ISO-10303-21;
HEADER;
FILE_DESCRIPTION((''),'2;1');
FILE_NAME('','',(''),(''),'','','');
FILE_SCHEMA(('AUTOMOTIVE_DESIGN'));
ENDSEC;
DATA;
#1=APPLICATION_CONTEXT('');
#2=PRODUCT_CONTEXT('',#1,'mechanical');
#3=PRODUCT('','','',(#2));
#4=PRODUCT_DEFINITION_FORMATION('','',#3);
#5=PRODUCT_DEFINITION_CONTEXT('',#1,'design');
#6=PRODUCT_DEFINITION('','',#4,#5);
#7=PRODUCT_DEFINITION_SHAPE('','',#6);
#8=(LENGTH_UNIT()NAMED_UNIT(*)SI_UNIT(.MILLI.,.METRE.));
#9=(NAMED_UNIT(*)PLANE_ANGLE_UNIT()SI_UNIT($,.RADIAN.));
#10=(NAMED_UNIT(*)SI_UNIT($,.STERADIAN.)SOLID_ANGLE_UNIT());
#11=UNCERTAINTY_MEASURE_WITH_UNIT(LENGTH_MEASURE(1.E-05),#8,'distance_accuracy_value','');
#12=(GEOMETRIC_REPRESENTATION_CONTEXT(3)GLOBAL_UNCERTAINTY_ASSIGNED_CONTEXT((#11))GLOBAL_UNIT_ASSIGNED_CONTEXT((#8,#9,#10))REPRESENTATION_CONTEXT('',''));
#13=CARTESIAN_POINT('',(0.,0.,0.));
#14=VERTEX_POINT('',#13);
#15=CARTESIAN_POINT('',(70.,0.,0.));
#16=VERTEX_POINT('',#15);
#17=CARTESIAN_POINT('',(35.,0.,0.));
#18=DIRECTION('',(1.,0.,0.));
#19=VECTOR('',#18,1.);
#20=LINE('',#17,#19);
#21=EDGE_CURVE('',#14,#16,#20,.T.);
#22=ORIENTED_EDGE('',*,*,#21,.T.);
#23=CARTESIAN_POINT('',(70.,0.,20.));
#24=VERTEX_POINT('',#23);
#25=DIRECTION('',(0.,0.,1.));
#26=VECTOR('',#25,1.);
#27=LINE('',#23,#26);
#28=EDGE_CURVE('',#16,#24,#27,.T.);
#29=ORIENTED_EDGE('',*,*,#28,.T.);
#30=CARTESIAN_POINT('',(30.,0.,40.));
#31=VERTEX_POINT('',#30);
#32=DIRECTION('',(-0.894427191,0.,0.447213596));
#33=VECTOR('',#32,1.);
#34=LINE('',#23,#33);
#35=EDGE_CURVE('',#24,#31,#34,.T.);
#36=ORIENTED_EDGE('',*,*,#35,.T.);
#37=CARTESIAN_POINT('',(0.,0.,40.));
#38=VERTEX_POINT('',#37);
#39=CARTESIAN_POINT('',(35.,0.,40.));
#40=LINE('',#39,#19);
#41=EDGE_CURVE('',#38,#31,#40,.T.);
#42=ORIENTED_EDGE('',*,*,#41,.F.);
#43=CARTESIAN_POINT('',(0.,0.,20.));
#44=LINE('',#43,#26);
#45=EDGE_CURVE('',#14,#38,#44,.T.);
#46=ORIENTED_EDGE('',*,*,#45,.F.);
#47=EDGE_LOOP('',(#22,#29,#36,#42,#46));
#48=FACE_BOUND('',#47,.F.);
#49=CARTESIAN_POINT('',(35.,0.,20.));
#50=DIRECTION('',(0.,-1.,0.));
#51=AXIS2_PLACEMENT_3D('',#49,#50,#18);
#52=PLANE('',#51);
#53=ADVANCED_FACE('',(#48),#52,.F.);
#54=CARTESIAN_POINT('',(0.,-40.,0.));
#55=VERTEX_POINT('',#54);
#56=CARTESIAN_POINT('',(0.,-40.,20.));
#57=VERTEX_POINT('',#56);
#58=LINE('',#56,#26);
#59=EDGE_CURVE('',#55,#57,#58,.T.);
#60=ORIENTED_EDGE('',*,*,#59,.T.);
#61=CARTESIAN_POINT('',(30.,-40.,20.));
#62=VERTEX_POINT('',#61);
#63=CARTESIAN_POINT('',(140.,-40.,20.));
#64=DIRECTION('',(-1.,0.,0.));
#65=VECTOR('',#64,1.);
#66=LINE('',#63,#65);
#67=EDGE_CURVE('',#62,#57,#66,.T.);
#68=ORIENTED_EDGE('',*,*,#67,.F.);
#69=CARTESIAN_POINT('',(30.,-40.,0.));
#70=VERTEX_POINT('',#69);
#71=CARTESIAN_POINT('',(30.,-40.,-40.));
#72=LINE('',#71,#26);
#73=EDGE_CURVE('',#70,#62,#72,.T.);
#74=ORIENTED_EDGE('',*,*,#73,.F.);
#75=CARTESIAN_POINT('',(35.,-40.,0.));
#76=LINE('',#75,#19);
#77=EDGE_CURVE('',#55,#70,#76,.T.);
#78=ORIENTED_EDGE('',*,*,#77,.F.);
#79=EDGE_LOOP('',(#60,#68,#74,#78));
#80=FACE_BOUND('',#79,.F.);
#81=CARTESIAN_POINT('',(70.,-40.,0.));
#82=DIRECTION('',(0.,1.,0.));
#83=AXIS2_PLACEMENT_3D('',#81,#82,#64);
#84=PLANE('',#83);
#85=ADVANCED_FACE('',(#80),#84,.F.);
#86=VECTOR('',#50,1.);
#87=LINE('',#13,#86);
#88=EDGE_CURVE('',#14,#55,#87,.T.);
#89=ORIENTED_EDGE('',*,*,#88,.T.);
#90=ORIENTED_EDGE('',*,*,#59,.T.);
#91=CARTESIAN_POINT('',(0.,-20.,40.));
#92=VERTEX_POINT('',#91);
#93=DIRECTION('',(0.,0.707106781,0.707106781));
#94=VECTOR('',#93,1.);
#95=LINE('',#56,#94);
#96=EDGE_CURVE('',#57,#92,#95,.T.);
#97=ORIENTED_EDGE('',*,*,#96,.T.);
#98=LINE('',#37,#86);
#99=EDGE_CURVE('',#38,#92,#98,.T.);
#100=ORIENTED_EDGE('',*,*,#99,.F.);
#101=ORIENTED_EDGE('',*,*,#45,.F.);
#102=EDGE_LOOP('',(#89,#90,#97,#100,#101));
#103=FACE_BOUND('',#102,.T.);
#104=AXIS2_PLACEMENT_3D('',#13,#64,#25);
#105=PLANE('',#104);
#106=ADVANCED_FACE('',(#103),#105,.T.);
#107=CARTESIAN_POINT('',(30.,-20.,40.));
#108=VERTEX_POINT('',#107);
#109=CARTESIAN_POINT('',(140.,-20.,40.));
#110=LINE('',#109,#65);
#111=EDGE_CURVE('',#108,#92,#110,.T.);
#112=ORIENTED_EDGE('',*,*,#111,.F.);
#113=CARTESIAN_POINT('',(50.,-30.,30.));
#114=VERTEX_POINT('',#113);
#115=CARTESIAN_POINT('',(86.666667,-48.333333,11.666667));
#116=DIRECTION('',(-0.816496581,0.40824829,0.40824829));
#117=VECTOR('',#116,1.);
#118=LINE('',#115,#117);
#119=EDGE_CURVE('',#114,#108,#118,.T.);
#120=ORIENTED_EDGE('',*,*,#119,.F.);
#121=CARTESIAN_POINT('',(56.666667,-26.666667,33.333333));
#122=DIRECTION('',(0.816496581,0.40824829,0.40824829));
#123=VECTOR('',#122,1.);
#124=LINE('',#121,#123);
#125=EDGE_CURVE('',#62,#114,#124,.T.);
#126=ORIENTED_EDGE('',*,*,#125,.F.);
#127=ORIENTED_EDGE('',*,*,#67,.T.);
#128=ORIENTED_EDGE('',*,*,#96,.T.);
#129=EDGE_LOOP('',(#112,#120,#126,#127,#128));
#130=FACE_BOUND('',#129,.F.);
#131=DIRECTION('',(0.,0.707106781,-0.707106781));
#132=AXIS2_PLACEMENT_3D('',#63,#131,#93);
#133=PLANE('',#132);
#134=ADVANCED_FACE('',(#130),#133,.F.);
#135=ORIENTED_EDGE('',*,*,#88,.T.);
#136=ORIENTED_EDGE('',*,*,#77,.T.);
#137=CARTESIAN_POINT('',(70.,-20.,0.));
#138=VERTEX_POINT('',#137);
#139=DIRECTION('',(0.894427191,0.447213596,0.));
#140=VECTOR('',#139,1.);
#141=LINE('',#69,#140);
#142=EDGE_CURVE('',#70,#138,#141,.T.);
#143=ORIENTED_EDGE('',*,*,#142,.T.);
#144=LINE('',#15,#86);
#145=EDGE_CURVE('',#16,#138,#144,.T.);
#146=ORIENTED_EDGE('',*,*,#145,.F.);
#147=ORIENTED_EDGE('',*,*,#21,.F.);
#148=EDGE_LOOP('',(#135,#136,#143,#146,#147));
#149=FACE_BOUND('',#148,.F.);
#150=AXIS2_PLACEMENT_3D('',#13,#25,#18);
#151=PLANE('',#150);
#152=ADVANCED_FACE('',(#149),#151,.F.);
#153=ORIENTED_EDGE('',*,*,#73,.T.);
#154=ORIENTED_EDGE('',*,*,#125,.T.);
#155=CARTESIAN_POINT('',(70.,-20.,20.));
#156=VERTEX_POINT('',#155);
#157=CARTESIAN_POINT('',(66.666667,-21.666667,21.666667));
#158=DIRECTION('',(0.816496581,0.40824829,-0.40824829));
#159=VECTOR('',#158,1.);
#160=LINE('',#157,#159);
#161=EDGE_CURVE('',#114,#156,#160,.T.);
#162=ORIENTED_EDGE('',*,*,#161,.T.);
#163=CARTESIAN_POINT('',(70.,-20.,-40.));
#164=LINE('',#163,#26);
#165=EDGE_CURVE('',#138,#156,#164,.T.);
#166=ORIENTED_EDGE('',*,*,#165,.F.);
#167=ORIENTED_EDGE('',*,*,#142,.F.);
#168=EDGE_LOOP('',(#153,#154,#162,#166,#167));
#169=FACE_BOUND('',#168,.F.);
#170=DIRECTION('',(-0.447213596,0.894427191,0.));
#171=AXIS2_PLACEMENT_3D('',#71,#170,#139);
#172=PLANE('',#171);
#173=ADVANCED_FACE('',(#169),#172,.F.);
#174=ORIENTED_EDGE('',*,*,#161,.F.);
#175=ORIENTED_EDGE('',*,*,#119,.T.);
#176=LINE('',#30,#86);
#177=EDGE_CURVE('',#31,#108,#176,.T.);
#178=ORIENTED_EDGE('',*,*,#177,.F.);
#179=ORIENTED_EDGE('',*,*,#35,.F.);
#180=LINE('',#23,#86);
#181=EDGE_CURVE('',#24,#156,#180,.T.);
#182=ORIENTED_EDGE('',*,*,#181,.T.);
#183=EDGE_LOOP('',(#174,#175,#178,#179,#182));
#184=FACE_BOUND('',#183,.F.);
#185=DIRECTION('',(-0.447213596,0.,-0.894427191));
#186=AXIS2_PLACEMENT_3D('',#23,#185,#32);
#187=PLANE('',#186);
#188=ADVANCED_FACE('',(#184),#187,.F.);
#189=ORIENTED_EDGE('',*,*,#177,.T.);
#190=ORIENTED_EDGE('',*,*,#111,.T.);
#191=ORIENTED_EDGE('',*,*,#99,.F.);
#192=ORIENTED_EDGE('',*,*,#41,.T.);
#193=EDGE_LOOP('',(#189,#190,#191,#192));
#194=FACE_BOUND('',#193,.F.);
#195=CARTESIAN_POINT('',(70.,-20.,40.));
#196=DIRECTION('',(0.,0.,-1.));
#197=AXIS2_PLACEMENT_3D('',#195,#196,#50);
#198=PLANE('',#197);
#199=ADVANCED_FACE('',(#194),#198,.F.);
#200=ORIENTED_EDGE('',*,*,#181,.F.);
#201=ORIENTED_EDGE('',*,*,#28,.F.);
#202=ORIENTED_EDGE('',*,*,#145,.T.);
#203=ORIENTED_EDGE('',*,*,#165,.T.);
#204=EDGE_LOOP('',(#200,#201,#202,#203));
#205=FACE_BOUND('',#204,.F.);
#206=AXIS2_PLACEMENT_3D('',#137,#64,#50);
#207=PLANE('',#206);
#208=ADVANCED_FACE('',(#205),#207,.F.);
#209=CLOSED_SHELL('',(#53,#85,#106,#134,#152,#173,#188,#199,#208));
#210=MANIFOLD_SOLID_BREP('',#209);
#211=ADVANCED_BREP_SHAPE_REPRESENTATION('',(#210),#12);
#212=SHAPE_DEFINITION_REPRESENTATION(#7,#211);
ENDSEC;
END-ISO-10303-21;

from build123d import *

# Parameters (mm, degrees)
F0_W      = 70
F0_H      = 40
F1_DEPTH  = 40
F3_DEPTH  = 70
F4_DEPTH  = 140
F6_DEPTH  = 40
F8_DEPTH  = 40
F9_DEPTH  = 80
F11_DEPTH = 10


with BuildPart() as f1:
    # F0 (on Front) → F1 (new body)
    with BuildSketch(Plane.XZ):
        with Locations((35, 20)):
            Rectangle(F0_W, F0_H)
    extrude(amount=F1_DEPTH)

    # F2 (on face) → F3 (join)
    with BuildSketch(Plane.YZ.offset(70)):
        Polygon((-20, 40), (-40, 40), (-40, 20), align=None)
    extrude(amount=F3_DEPTH)

    # F3_face (on face) → F4 (cut)
    with BuildSketch(Plane(origin=(140, -33.333333, 33.333333), x_dir=(0, 1, 0), z_dir=(1, 0, 0))):
        Polygon((13.333333, 6.666667), (-6.666667, 6.666667), (-6.666667, -13.333333), align=None)
    extrude(amount=-F4_DEPTH, mode=Mode.SUBTRACT)

    # F5 (on face) → F6 (cut)
    with BuildSketch(Plane(origin=(0, 0, 0), x_dir=(-1, 0, 0), z_dir=(0, 1, 0))):
        Polygon((-70, 40), (-70, 20), (-30, 40), align=None)
    extrude(amount=-F6_DEPTH, mode=Mode.SUBTRACT)

    # F7 (on face) → F8 (join)
    with BuildSketch(Plane(origin=(0, 0, 0), x_dir=(1, 0, 0), z_dir=(0, 0, -1))):
        Polygon((70, 20), (70, 40), (30, 40), align=None)
    extrude(amount=F8_DEPTH)

    # F8_face (on face) → F9 (cut)
    with BuildSketch(Plane(origin=(56.666667, -33.333333, -40), x_dir=(1, 0, 0), z_dir=(0, 0, -1))):
        Polygon((13.333333, -13.333333), (13.333333, 6.666667), (-26.666667, 6.666667), align=None)
    extrude(amount=-F9_DEPTH, mode=Mode.SUBTRACT)

    # F10 (on face) → F11 (join)
    with BuildSketch(Plane(origin=(0, -30, 30), x_dir=(1, 0, 0), z_dir=(0, -0.707107, 0.707107))):
        Polygon((50, 0), (30, 14.142136), (30, -14.142136), align=None)
    extrude(amount=-F11_DEPTH)


solid = f1.part
